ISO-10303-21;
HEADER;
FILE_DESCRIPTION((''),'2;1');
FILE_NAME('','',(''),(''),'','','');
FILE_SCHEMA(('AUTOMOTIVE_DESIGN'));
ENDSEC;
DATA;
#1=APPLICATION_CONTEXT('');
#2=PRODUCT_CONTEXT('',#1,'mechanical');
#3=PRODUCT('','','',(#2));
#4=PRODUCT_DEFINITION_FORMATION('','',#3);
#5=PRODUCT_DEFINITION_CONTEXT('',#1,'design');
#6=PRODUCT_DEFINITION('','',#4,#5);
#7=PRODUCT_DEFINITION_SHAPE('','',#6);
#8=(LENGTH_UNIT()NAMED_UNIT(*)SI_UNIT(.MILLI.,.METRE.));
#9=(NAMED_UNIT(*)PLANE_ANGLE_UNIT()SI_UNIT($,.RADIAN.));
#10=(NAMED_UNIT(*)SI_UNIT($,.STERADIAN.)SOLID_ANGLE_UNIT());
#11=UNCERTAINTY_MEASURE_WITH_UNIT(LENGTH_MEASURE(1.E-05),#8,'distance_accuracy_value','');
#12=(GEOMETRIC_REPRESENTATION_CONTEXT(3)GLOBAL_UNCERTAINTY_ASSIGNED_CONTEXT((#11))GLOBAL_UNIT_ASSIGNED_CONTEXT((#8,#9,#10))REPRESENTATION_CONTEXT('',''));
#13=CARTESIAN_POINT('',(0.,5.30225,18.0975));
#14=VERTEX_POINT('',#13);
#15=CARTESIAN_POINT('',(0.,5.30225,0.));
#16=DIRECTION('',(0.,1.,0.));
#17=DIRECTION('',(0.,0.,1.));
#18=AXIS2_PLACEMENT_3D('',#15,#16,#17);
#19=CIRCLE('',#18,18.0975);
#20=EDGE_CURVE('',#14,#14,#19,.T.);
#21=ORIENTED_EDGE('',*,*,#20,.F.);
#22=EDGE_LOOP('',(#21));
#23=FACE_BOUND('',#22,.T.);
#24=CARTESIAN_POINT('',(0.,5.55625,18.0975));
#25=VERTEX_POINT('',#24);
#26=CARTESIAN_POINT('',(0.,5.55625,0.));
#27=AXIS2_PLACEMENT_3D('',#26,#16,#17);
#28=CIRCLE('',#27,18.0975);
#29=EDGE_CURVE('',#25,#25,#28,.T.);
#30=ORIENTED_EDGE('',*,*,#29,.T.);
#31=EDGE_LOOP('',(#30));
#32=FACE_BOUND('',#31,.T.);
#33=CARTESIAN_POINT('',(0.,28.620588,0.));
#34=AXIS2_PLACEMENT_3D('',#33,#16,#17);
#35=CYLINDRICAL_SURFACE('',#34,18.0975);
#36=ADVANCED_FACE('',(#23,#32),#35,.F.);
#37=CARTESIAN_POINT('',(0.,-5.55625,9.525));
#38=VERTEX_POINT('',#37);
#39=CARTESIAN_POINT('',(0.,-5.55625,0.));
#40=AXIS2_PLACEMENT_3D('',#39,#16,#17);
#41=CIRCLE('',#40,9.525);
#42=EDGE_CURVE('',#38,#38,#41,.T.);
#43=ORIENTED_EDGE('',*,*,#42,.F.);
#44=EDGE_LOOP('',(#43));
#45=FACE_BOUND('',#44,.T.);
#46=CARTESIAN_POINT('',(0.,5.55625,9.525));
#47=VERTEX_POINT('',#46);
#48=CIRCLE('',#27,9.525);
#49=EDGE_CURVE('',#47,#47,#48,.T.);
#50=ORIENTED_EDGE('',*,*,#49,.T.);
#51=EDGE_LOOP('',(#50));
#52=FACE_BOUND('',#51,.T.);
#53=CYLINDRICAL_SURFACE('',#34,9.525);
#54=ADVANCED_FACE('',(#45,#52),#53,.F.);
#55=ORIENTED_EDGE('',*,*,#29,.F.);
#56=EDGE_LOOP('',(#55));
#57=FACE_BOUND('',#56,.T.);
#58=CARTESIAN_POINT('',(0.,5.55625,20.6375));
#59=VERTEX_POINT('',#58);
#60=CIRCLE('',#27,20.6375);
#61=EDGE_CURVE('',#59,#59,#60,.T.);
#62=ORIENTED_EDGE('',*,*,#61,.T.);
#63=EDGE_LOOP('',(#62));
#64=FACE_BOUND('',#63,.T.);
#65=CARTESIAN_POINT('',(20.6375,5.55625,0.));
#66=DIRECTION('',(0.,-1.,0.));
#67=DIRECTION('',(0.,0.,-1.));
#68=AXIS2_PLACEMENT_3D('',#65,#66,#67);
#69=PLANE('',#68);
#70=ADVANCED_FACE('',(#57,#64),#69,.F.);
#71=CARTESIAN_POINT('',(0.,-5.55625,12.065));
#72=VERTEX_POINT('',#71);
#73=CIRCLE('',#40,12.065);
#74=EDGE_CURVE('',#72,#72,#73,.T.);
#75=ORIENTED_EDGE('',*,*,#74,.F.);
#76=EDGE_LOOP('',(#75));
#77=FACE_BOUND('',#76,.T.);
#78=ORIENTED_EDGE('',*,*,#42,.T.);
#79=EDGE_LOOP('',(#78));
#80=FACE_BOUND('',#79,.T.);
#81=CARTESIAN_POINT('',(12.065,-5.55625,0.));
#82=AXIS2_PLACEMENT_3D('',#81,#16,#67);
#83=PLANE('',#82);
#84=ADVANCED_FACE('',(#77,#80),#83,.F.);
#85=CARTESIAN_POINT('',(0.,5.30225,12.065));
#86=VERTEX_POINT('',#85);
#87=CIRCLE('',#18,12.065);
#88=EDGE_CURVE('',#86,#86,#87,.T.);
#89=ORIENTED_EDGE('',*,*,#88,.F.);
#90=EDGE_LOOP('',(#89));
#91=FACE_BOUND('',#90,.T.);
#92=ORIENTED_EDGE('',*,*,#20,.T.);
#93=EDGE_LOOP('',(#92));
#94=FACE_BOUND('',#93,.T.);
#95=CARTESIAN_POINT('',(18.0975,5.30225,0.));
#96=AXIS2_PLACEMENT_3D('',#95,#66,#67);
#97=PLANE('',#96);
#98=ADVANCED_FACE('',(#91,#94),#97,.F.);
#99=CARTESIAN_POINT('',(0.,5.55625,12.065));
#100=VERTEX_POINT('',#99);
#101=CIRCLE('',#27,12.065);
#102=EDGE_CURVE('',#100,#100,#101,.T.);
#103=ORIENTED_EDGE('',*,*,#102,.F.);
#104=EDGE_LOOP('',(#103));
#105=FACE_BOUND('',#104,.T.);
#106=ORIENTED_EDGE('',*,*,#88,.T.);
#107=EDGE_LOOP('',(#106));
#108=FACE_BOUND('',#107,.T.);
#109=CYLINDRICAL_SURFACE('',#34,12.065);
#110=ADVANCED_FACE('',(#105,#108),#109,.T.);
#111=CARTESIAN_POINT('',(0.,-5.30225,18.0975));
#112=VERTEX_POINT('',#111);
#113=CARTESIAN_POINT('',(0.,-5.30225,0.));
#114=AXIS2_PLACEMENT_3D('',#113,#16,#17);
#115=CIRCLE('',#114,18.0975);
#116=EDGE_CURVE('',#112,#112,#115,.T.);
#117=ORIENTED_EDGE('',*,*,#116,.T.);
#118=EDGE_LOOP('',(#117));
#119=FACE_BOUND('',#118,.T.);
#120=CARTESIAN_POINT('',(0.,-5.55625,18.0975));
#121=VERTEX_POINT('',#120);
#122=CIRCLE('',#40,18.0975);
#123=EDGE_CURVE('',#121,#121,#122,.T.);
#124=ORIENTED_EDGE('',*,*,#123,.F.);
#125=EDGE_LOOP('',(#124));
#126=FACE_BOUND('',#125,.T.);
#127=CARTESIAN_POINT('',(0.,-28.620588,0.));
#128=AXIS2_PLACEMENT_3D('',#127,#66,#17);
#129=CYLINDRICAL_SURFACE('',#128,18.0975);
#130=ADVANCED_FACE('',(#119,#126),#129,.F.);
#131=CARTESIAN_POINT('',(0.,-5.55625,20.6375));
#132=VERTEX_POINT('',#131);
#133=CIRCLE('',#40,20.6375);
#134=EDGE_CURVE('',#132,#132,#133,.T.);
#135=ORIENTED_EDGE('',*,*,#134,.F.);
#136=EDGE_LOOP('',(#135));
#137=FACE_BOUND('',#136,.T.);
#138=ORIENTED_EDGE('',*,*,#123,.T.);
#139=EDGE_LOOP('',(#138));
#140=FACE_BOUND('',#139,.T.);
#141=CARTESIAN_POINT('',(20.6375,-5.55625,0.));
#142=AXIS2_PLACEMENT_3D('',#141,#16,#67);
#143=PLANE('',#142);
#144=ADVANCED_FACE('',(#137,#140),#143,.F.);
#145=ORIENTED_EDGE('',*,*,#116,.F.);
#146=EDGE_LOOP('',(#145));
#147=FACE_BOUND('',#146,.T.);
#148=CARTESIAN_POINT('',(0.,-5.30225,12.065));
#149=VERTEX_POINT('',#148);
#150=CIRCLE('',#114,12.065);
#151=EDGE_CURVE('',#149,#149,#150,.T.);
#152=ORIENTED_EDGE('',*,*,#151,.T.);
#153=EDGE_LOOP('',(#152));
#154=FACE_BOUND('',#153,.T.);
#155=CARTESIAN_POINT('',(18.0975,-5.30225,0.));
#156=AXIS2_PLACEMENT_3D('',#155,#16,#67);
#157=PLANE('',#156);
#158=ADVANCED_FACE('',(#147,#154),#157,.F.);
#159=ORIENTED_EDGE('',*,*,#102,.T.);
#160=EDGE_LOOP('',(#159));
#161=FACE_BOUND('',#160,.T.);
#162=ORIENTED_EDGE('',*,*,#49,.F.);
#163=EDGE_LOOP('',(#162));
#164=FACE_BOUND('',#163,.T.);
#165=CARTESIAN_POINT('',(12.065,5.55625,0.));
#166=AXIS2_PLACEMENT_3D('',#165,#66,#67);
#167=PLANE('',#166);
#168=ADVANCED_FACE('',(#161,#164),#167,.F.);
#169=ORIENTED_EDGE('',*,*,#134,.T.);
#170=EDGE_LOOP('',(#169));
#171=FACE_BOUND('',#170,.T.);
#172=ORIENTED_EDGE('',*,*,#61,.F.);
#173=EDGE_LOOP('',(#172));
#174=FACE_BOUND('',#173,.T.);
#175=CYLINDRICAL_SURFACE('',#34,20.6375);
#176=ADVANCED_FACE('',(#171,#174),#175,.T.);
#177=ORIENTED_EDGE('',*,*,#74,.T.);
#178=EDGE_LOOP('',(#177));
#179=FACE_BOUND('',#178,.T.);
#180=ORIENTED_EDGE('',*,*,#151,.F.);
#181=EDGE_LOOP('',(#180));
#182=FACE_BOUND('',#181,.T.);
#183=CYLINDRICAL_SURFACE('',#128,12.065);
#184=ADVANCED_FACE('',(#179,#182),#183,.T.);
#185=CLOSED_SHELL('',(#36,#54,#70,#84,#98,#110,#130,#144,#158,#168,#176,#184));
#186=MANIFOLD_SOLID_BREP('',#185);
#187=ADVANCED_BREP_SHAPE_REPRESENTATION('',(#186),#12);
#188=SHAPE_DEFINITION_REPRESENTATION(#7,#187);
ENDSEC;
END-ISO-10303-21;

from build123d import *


with BuildPart() as part:
    # Sketch1 → Revolve1 (revolve)
    with BuildSketch(Plane.XY):
        Polygon((9.525, 0), (20.6375, 0), (20.6375, 5.55625), (18.0975, 5.55625), (18.0975, 5.30225), (12.065, 5.30225), (12.065, 5.55625), (9.525, 5.55625), align=None)
    revolve1 = revolve(axis=Axis((0, 28.620588043, 0), (0, -1, 0)))

    # Mirror1: Revolve1 across plane
    add(revolve1.mirror(Plane.ZX))


solid = part.part
